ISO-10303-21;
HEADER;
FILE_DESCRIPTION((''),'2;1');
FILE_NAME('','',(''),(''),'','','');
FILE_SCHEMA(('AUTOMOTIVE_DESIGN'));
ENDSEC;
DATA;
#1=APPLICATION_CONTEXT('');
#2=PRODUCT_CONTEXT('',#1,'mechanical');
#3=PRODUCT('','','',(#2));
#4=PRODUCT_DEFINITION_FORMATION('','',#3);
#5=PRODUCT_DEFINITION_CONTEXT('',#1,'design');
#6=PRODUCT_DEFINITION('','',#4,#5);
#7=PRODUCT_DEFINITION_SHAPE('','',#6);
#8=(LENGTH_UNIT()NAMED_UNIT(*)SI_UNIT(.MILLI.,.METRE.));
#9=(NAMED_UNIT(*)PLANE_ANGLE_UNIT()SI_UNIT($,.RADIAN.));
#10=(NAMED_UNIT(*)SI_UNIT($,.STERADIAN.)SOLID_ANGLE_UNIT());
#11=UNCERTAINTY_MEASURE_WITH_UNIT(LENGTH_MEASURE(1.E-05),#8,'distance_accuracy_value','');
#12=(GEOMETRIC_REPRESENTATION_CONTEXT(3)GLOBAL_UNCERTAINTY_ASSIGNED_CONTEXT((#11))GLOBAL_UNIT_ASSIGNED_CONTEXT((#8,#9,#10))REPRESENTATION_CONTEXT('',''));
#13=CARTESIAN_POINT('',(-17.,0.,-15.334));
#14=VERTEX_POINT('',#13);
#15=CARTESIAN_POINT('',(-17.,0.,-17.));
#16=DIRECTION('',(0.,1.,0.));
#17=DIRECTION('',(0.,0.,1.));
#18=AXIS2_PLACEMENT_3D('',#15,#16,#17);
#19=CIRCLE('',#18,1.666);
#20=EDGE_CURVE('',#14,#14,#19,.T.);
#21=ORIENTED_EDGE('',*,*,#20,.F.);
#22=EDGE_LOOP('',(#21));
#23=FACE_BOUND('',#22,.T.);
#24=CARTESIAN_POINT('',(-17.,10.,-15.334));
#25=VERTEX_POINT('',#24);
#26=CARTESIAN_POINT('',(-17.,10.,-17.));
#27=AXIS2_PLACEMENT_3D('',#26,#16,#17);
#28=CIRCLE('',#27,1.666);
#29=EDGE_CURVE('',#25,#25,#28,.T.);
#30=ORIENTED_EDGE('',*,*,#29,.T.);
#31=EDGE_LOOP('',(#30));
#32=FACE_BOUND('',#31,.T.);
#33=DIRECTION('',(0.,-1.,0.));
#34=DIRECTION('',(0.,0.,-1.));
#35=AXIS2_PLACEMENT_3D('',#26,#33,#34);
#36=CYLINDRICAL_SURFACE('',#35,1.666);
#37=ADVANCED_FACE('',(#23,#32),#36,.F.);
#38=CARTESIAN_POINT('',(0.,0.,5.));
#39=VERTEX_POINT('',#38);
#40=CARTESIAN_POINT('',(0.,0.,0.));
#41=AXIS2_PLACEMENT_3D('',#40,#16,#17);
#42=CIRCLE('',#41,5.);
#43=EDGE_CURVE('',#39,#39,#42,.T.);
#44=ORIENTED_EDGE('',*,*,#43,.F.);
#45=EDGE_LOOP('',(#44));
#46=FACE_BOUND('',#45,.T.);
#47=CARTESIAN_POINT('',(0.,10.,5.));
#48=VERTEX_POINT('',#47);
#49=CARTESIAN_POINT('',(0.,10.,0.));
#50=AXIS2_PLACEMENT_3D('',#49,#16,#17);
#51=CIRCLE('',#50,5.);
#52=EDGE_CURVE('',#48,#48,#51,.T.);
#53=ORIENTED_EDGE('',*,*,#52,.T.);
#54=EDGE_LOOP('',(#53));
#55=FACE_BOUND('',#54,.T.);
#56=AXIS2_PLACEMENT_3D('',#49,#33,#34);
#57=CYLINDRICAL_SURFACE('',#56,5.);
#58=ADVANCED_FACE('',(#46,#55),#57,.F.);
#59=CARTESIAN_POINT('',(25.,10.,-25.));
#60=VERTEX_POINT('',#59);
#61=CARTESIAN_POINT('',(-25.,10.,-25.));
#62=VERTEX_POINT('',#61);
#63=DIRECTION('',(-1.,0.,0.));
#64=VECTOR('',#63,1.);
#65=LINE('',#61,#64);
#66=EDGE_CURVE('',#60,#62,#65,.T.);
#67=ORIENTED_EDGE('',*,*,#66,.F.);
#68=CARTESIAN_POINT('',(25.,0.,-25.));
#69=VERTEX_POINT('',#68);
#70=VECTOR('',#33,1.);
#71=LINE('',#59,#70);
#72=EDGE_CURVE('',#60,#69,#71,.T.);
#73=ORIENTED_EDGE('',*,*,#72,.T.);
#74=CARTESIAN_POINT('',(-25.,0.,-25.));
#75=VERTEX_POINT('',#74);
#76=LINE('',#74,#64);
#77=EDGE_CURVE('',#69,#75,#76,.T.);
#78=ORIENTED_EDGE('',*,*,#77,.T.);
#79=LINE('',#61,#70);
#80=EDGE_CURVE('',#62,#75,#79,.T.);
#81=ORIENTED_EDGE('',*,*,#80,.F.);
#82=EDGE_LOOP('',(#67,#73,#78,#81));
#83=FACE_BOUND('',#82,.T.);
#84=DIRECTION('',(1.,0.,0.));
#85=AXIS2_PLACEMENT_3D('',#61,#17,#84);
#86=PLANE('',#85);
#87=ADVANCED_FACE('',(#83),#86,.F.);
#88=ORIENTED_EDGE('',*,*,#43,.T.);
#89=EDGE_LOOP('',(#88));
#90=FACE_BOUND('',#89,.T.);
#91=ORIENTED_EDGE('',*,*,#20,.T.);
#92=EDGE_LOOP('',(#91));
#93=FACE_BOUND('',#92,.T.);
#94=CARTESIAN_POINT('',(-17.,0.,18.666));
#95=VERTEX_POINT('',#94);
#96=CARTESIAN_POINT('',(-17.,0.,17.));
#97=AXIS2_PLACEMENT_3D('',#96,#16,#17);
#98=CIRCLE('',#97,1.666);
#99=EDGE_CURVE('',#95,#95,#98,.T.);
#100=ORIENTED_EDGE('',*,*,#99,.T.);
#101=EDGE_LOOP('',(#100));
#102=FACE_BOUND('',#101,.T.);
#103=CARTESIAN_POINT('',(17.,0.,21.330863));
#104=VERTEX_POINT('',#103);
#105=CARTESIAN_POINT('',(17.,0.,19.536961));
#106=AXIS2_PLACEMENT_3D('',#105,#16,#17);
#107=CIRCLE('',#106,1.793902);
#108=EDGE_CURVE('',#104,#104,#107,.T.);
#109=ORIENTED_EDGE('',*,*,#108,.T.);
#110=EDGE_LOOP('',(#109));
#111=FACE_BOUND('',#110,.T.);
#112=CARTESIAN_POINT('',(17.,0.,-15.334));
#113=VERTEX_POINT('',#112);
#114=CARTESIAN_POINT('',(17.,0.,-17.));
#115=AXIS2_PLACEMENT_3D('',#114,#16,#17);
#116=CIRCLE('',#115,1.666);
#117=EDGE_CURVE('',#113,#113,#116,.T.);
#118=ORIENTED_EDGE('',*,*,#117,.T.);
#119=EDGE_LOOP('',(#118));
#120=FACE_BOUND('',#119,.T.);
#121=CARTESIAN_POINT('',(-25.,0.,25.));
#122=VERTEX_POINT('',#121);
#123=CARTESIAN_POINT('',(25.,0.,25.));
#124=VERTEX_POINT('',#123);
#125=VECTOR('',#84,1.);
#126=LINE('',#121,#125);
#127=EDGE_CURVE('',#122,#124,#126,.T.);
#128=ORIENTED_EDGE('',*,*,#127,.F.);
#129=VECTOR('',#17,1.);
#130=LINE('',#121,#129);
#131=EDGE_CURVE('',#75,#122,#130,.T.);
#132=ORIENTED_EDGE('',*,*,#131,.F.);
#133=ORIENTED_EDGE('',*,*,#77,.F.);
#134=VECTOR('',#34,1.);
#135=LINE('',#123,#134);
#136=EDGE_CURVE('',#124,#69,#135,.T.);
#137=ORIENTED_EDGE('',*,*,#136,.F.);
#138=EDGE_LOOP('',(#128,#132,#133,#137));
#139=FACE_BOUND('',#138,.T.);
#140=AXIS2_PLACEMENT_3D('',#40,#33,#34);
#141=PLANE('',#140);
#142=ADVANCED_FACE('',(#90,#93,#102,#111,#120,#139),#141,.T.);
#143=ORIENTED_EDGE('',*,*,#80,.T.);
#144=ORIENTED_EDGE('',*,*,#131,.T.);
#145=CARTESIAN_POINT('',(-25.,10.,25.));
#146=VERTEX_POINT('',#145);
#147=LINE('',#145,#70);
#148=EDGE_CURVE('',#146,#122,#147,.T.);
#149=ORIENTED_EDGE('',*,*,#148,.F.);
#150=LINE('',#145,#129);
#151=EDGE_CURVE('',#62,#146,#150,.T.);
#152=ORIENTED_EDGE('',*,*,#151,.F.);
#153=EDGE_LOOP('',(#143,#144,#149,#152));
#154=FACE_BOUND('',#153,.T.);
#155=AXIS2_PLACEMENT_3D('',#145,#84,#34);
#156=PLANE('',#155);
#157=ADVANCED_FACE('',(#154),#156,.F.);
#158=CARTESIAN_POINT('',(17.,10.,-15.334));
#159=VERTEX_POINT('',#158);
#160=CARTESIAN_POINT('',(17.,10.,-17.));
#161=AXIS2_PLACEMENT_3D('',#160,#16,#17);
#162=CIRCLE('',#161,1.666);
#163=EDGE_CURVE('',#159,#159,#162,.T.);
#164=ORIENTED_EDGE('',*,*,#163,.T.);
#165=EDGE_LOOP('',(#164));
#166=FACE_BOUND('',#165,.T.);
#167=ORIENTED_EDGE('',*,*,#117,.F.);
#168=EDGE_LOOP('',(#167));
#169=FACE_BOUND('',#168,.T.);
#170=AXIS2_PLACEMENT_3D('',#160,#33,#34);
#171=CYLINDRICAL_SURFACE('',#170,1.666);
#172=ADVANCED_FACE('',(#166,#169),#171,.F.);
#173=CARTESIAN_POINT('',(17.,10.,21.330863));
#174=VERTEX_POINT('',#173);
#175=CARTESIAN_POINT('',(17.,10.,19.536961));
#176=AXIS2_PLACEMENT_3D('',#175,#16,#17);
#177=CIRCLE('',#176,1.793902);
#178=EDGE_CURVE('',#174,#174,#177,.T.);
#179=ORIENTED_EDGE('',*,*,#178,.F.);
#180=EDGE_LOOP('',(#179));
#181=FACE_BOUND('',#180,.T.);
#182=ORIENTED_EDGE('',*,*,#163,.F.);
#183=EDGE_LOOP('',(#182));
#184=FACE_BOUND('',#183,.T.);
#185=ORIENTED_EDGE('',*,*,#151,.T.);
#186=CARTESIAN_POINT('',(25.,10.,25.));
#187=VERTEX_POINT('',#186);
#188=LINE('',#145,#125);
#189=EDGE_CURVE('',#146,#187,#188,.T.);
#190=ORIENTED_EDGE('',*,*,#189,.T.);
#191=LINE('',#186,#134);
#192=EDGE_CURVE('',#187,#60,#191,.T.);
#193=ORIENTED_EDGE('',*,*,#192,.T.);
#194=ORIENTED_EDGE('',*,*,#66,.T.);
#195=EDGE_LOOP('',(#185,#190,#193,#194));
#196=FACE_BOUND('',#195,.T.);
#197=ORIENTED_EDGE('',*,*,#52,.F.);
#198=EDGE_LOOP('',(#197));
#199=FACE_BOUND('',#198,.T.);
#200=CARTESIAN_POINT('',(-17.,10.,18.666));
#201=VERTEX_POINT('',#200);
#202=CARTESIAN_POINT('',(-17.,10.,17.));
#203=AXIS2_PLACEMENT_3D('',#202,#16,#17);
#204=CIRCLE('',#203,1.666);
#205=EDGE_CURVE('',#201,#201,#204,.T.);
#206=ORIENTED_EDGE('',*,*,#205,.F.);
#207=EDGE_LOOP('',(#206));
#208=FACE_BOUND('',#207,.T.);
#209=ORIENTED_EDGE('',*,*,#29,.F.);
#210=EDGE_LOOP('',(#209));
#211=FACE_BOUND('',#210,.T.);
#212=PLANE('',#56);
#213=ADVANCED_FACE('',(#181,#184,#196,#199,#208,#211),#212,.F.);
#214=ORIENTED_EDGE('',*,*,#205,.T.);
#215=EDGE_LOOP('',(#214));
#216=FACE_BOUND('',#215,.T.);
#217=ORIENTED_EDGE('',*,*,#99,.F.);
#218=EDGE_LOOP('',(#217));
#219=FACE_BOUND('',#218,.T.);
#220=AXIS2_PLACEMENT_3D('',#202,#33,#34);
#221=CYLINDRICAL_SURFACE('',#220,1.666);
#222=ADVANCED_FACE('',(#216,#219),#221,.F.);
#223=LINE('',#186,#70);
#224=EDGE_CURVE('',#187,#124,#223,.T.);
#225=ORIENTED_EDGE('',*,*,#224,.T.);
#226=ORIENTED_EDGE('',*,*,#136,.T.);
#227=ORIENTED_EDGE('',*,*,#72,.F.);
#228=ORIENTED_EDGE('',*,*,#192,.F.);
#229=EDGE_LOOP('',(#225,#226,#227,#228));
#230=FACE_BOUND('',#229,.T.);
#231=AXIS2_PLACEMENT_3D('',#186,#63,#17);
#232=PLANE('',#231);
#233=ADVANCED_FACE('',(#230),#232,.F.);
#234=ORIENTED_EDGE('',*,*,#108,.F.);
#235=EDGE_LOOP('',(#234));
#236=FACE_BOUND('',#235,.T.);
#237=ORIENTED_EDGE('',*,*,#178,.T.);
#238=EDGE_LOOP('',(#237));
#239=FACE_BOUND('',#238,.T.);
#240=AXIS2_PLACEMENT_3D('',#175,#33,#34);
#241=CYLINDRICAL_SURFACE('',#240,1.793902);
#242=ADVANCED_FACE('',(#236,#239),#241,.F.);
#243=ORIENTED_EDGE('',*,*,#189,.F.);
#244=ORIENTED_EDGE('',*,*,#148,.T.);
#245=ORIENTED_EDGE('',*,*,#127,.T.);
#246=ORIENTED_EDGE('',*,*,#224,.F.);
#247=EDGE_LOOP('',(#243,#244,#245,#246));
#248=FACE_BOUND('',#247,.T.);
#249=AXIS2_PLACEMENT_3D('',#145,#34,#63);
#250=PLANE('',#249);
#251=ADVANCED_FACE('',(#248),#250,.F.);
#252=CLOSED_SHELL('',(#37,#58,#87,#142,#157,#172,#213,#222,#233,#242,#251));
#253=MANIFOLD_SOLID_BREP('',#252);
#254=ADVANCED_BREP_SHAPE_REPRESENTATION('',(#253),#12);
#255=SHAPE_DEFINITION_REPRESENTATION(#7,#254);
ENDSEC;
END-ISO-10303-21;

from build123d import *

# Parameters (mm, degrees)
SKETCH1_W           = 50
SKETCH1_H           = 50
SKETCH1_R           = 5
SKETCH1_R_2         = 1.666
SKETCH1_R_3         = 1.793902259
BOSS_EXTRUDE3_DEPTH = 10


with BuildPart() as part:
    # Sketch1 → Boss-Extrude3 (new body)
    with BuildSketch(Plane(origin=(0, 0, 0), x_dir=(1, 0, 0), z_dir=(0, 1, 0))):
        Rectangle(SKETCH1_W, SKETCH1_H)
        Circle(SKETCH1_R, mode=Mode.SUBTRACT)
        with Locations((-17, 17)):
            Circle(SKETCH1_R_2, mode=Mode.SUBTRACT)
        with Locations((17, 17)):
            Circle(SKETCH1_R_2, mode=Mode.SUBTRACT)
        with Locations((-17, -17)):
            Circle(SKETCH1_R_2, mode=Mode.SUBTRACT)
        with Locations((17, -19.536960904)):
            Circle(SKETCH1_R_3, mode=Mode.SUBTRACT)
    extrude(amount=BOSS_EXTRUDE3_DEPTH)


solid = part.part
